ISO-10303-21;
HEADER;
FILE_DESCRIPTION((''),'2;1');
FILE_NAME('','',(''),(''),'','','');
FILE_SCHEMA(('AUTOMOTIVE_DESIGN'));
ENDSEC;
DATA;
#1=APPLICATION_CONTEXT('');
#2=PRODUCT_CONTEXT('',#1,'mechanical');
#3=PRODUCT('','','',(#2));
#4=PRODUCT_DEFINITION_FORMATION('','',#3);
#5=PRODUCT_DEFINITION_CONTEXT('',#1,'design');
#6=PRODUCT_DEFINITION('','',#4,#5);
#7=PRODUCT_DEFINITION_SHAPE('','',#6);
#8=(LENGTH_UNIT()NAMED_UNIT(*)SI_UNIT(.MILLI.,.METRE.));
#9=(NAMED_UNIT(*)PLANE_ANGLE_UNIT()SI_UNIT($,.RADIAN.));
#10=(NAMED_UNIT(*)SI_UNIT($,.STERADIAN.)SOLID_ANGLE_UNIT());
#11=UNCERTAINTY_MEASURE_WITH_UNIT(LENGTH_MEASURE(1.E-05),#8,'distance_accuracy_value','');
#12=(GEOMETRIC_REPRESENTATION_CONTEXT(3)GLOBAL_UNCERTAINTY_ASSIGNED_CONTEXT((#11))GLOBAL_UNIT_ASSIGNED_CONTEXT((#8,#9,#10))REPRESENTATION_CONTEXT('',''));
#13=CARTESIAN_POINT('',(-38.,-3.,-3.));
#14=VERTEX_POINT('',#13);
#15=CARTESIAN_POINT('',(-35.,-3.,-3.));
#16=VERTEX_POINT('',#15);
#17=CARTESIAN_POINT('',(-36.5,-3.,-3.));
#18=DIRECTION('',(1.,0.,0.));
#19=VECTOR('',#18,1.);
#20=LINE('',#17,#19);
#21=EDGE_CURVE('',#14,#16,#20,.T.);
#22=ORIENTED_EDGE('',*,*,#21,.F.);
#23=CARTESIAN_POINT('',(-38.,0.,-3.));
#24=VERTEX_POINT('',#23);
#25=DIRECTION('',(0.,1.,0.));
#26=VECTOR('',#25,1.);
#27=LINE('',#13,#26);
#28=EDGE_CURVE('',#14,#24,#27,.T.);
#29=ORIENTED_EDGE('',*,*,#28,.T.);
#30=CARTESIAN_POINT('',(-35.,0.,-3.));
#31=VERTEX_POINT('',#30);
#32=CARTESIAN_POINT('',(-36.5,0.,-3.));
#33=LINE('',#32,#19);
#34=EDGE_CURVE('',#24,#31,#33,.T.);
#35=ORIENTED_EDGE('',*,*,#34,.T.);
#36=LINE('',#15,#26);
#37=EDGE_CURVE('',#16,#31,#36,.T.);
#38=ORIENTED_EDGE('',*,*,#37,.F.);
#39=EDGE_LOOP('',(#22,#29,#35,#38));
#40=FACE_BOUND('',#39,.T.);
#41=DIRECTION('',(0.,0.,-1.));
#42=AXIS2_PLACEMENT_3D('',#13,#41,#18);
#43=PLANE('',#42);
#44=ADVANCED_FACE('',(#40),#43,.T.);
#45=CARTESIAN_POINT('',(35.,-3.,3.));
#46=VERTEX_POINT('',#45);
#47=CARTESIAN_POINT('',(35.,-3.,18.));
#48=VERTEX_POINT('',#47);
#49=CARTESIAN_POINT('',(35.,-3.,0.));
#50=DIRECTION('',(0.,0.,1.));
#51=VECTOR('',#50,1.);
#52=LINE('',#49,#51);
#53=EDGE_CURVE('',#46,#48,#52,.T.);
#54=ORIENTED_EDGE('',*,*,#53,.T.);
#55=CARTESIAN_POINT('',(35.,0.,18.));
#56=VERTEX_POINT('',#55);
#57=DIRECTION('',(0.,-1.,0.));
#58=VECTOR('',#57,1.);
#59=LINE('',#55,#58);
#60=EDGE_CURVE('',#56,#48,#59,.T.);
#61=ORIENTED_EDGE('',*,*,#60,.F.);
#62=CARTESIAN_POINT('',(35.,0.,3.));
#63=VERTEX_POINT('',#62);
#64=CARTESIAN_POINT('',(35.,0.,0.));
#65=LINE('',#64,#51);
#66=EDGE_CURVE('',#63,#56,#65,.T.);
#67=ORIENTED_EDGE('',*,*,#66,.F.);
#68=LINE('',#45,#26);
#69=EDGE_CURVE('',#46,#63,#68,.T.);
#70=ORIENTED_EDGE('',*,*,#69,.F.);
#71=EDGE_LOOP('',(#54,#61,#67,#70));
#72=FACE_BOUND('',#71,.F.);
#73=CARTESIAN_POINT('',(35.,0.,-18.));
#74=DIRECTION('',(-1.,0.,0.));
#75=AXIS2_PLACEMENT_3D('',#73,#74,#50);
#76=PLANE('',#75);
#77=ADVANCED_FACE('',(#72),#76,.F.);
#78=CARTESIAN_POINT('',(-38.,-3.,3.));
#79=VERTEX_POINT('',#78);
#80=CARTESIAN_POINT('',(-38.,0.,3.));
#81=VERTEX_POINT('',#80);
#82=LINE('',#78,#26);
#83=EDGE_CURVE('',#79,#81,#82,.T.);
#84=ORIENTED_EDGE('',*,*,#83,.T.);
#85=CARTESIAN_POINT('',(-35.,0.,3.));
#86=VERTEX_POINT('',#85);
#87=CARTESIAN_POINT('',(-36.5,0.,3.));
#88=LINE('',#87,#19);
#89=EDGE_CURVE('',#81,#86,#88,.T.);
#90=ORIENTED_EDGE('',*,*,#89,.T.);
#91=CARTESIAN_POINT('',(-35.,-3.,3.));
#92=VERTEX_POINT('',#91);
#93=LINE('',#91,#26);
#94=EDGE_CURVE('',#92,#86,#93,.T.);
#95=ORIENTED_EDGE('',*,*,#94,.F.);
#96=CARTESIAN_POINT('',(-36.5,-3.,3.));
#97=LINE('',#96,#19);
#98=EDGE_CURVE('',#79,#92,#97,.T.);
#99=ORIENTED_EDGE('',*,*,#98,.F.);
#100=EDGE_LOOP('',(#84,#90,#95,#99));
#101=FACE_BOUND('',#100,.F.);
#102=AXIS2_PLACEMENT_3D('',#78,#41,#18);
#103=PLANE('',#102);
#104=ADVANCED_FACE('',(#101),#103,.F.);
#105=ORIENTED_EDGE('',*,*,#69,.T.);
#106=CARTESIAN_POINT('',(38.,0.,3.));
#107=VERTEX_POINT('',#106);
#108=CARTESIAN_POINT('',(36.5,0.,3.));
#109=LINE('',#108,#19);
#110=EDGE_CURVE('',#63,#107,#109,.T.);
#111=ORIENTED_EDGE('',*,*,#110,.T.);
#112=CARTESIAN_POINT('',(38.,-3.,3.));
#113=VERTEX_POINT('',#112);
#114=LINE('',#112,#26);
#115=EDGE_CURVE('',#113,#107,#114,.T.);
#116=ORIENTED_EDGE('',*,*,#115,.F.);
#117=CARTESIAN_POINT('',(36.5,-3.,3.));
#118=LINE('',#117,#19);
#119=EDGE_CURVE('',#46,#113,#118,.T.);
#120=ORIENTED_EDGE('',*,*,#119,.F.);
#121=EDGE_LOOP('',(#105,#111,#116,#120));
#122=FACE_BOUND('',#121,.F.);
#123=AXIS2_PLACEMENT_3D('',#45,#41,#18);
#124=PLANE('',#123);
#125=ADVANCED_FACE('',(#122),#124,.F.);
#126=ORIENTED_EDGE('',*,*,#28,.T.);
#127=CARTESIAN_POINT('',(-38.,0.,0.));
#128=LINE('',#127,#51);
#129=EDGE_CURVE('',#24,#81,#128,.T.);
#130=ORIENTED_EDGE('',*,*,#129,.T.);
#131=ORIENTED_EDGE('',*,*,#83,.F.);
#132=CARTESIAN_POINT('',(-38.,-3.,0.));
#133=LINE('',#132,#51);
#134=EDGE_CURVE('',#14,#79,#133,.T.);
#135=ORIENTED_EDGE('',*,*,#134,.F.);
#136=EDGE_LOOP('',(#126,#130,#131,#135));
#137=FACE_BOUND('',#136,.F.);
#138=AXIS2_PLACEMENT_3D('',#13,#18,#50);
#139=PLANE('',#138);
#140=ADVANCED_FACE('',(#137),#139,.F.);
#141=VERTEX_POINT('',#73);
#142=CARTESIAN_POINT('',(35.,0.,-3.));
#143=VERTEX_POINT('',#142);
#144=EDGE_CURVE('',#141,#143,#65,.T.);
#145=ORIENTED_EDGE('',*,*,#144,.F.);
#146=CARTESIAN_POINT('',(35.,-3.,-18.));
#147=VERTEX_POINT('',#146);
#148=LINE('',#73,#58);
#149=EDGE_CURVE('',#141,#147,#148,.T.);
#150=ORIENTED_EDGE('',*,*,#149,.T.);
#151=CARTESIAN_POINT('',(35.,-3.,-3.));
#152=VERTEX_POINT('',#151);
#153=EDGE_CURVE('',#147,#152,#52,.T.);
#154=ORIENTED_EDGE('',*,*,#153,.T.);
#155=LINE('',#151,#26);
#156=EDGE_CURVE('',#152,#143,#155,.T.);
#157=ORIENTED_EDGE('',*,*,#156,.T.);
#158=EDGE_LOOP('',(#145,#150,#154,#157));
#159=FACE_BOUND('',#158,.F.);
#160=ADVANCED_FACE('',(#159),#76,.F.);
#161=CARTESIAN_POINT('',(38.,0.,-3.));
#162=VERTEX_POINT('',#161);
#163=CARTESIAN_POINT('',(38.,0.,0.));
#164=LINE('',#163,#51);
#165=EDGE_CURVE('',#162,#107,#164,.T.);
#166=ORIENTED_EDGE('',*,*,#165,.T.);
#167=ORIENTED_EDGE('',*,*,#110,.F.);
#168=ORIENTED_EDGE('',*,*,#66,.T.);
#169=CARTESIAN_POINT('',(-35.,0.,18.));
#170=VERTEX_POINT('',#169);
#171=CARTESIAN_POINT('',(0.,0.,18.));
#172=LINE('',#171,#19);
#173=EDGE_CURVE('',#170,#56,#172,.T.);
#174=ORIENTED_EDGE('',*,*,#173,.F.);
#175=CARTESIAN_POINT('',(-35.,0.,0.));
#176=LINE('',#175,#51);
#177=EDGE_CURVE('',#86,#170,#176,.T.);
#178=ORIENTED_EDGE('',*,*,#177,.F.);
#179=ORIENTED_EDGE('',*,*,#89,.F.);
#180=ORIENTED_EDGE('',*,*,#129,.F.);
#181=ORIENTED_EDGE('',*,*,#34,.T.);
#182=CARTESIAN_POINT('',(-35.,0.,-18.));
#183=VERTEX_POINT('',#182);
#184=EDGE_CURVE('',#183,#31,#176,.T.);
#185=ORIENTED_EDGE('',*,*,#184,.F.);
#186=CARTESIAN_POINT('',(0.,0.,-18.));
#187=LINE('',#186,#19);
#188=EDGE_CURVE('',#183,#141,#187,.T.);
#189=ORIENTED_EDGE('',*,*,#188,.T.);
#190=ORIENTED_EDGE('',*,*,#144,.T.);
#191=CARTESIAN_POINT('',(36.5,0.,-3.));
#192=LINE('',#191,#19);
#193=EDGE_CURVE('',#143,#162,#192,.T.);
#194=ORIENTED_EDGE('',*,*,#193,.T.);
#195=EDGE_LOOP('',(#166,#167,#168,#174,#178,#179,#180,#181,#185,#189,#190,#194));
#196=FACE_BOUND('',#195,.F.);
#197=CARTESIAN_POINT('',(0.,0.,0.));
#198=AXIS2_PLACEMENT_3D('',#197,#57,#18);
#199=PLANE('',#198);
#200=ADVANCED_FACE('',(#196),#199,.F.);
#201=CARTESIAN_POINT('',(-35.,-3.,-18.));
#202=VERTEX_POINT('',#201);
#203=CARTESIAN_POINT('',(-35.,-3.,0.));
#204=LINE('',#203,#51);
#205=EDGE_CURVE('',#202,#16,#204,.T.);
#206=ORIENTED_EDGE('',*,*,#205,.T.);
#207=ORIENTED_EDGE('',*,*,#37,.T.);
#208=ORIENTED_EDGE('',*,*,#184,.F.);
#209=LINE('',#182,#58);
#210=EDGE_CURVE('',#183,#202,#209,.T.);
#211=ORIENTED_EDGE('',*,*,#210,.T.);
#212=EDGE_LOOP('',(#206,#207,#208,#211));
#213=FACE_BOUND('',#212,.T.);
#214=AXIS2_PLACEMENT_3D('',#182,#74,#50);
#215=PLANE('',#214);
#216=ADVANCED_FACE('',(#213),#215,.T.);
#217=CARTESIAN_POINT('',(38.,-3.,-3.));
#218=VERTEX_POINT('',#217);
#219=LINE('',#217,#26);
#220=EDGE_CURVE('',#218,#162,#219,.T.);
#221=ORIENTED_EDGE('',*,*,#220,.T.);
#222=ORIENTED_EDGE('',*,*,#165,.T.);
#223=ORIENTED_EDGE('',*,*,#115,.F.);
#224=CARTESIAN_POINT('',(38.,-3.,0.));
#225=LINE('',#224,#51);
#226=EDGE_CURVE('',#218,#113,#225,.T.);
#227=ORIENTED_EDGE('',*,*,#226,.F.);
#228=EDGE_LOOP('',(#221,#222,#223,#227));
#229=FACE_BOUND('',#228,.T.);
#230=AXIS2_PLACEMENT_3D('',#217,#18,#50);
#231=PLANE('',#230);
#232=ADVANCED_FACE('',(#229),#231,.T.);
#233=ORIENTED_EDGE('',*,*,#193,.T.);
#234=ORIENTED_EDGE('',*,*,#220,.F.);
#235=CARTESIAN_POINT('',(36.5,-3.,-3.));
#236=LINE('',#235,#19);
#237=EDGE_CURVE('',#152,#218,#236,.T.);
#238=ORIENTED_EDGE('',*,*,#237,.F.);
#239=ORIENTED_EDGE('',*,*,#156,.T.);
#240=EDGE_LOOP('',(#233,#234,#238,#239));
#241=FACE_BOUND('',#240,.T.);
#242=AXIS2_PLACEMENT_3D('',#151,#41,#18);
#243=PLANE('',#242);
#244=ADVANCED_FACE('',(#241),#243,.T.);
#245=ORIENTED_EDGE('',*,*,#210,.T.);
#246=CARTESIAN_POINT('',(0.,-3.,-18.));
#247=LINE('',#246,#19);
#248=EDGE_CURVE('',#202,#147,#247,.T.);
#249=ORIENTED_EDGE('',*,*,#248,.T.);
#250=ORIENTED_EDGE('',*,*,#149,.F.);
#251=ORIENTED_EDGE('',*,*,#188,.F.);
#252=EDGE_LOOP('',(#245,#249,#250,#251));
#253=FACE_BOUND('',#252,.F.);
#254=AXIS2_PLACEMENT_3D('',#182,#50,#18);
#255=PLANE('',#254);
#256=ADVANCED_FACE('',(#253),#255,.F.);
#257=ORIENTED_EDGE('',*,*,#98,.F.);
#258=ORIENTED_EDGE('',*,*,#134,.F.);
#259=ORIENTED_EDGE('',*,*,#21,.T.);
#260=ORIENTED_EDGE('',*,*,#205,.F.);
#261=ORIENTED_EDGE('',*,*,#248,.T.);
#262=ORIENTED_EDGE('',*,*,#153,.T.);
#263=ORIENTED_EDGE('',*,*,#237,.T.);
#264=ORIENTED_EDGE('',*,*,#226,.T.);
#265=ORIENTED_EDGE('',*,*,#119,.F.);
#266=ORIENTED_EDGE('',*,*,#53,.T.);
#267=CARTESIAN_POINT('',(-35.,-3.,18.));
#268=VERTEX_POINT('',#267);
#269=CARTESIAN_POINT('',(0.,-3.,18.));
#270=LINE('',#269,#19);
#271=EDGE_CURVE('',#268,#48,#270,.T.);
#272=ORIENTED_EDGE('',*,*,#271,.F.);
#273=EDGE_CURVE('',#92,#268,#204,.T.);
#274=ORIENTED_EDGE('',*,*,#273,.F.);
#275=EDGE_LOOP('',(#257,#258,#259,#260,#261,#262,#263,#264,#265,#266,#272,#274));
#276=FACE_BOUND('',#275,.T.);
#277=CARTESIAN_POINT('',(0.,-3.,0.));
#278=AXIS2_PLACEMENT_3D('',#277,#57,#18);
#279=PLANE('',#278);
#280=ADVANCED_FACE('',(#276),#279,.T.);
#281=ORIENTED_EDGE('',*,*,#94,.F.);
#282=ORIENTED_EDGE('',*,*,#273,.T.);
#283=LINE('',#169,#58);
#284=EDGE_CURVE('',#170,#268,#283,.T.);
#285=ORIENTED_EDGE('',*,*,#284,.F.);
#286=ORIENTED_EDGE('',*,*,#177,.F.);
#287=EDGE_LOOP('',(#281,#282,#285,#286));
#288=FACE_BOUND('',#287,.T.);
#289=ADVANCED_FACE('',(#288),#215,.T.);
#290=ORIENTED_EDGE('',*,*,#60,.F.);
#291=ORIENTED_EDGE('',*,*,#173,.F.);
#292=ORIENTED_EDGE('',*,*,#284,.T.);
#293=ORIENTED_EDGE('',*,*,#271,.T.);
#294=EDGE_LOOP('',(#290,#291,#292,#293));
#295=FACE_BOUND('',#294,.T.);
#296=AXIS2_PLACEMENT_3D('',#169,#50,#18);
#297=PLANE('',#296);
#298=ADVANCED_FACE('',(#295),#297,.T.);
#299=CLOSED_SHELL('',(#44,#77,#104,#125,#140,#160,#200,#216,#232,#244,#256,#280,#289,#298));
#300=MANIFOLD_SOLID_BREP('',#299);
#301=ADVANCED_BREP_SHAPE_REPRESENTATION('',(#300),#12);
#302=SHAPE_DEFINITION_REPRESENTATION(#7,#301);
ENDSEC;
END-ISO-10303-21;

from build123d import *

# Parameters (mm, degrees)
F0_W     = 70
F0_H     = 36
F1_DEPTH = 3
F2_W     = 3
F2_H     = 6
F3_DEPTH = 3


with BuildPart() as f1:
    # F0 (on Front) → F1 (new body)
    with BuildSketch(Plane.XZ):
        Rectangle(F0_W, F0_H)
    extrude(amount=F1_DEPTH)

    # F2 (on face) → F3 (join)
    with BuildSketch(Plane.XZ.offset(3)):
        with Locations((-36.5, 0)):
            Rectangle(F2_W, F2_H)
        with Locations((36.5, 0)):
            Rectangle(F2_W, F2_H)
    extrude(amount=-F3_DEPTH)


solid = f1.part
